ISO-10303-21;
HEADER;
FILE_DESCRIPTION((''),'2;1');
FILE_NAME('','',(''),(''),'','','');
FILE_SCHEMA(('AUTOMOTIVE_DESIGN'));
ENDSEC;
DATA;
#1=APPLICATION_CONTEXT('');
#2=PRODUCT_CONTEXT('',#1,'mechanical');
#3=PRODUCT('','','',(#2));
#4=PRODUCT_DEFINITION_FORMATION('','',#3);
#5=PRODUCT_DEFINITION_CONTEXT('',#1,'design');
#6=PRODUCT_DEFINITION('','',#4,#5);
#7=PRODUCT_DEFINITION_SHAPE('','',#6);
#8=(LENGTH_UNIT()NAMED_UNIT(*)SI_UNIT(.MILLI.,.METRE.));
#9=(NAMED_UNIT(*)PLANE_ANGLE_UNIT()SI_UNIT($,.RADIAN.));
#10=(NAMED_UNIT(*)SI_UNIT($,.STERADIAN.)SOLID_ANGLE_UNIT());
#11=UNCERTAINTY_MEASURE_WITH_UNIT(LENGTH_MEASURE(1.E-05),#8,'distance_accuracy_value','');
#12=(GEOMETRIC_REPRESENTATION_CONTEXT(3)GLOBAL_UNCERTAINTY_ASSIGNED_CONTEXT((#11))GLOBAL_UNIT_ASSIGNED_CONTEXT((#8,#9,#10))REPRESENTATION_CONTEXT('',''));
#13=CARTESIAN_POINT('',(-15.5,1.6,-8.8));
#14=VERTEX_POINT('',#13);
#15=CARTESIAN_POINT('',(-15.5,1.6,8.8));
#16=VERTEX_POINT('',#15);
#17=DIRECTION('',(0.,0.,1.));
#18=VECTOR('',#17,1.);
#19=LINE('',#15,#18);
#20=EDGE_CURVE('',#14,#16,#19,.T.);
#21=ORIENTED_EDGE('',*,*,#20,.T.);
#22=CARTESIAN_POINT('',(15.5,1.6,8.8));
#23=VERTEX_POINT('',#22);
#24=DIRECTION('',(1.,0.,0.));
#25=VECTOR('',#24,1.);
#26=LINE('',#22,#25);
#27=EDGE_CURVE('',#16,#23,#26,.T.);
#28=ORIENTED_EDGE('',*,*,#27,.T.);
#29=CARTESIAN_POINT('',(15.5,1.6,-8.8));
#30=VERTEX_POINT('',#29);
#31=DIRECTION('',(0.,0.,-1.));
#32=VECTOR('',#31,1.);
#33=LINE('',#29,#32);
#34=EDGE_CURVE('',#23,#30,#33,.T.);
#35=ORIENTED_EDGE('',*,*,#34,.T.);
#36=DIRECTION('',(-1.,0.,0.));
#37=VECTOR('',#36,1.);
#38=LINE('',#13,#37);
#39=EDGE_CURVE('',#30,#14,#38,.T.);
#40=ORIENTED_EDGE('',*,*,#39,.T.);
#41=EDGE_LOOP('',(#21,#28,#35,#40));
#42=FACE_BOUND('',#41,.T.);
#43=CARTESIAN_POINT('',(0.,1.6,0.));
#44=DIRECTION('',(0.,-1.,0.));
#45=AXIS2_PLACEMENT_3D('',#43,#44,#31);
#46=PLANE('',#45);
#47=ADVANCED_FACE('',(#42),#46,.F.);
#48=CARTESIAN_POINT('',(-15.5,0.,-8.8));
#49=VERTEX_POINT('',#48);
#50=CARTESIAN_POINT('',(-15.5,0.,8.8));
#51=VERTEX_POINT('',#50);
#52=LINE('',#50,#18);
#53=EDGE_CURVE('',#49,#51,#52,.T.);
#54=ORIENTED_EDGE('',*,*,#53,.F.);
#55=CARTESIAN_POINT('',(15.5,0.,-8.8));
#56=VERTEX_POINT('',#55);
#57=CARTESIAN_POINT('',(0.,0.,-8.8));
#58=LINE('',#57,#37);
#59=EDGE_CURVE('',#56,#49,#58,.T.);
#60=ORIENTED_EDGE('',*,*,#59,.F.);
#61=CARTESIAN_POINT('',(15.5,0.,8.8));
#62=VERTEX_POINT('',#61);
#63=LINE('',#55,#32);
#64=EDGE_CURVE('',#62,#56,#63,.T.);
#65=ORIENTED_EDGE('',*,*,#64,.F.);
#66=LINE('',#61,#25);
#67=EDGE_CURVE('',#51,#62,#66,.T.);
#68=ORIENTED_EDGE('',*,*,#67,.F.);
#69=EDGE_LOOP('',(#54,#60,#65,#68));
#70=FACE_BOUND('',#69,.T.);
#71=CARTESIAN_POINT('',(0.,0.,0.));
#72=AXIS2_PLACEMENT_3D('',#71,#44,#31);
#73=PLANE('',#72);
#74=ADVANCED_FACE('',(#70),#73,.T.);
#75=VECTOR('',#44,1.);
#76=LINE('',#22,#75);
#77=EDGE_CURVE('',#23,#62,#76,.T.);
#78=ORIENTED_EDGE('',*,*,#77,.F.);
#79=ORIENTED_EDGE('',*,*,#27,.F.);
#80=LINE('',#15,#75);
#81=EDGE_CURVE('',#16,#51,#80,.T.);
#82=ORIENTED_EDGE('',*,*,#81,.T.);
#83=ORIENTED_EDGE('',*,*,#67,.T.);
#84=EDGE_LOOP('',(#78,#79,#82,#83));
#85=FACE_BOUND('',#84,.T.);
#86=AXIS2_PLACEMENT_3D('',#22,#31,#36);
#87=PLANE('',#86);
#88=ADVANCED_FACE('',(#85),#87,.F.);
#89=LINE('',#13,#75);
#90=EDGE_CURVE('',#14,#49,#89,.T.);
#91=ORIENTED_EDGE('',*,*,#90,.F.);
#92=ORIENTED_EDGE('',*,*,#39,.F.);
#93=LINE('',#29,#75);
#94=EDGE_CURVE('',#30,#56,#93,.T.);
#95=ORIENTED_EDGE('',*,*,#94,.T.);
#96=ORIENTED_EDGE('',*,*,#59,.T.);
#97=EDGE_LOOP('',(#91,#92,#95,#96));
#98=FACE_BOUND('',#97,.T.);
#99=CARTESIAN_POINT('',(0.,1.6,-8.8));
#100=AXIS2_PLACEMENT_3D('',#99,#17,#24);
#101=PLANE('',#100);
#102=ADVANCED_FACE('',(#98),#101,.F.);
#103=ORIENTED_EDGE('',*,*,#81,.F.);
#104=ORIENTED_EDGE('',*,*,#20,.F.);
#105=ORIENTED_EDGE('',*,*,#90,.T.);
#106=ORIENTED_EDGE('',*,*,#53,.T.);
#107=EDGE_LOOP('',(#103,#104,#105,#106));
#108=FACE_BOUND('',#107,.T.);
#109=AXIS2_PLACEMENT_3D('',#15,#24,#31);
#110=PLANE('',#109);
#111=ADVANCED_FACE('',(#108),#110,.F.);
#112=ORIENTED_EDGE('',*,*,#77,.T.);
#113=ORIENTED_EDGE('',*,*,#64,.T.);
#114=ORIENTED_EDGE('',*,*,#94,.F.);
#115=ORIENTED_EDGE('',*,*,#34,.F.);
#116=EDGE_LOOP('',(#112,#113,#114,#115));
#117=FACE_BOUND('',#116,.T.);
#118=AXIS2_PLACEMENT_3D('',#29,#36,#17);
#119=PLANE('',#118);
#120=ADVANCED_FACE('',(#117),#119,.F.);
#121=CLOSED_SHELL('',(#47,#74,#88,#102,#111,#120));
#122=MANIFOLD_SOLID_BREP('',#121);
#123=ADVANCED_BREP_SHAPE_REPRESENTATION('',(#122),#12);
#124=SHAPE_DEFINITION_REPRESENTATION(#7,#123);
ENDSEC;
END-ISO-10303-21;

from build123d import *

# Parameters (mm, degrees)
EXTRUDE_1_DEPTH = 1.6


with BuildPart() as part:
    # 草图1 → 凸台-拉伸1 (new body)
    with BuildSketch(Plane(origin=(0, 0, 0), x_dir=(1, 0, 0), z_dir=(0, 1, 0))):
        Polygon((0, 8.8), (15.5, 8.8), (15.5, -8.8), (-15.5, -8.8), (-15.5, 8.8), align=None)
    extrude(amount=EXTRUDE_1_DEPTH)


solid = part.part
